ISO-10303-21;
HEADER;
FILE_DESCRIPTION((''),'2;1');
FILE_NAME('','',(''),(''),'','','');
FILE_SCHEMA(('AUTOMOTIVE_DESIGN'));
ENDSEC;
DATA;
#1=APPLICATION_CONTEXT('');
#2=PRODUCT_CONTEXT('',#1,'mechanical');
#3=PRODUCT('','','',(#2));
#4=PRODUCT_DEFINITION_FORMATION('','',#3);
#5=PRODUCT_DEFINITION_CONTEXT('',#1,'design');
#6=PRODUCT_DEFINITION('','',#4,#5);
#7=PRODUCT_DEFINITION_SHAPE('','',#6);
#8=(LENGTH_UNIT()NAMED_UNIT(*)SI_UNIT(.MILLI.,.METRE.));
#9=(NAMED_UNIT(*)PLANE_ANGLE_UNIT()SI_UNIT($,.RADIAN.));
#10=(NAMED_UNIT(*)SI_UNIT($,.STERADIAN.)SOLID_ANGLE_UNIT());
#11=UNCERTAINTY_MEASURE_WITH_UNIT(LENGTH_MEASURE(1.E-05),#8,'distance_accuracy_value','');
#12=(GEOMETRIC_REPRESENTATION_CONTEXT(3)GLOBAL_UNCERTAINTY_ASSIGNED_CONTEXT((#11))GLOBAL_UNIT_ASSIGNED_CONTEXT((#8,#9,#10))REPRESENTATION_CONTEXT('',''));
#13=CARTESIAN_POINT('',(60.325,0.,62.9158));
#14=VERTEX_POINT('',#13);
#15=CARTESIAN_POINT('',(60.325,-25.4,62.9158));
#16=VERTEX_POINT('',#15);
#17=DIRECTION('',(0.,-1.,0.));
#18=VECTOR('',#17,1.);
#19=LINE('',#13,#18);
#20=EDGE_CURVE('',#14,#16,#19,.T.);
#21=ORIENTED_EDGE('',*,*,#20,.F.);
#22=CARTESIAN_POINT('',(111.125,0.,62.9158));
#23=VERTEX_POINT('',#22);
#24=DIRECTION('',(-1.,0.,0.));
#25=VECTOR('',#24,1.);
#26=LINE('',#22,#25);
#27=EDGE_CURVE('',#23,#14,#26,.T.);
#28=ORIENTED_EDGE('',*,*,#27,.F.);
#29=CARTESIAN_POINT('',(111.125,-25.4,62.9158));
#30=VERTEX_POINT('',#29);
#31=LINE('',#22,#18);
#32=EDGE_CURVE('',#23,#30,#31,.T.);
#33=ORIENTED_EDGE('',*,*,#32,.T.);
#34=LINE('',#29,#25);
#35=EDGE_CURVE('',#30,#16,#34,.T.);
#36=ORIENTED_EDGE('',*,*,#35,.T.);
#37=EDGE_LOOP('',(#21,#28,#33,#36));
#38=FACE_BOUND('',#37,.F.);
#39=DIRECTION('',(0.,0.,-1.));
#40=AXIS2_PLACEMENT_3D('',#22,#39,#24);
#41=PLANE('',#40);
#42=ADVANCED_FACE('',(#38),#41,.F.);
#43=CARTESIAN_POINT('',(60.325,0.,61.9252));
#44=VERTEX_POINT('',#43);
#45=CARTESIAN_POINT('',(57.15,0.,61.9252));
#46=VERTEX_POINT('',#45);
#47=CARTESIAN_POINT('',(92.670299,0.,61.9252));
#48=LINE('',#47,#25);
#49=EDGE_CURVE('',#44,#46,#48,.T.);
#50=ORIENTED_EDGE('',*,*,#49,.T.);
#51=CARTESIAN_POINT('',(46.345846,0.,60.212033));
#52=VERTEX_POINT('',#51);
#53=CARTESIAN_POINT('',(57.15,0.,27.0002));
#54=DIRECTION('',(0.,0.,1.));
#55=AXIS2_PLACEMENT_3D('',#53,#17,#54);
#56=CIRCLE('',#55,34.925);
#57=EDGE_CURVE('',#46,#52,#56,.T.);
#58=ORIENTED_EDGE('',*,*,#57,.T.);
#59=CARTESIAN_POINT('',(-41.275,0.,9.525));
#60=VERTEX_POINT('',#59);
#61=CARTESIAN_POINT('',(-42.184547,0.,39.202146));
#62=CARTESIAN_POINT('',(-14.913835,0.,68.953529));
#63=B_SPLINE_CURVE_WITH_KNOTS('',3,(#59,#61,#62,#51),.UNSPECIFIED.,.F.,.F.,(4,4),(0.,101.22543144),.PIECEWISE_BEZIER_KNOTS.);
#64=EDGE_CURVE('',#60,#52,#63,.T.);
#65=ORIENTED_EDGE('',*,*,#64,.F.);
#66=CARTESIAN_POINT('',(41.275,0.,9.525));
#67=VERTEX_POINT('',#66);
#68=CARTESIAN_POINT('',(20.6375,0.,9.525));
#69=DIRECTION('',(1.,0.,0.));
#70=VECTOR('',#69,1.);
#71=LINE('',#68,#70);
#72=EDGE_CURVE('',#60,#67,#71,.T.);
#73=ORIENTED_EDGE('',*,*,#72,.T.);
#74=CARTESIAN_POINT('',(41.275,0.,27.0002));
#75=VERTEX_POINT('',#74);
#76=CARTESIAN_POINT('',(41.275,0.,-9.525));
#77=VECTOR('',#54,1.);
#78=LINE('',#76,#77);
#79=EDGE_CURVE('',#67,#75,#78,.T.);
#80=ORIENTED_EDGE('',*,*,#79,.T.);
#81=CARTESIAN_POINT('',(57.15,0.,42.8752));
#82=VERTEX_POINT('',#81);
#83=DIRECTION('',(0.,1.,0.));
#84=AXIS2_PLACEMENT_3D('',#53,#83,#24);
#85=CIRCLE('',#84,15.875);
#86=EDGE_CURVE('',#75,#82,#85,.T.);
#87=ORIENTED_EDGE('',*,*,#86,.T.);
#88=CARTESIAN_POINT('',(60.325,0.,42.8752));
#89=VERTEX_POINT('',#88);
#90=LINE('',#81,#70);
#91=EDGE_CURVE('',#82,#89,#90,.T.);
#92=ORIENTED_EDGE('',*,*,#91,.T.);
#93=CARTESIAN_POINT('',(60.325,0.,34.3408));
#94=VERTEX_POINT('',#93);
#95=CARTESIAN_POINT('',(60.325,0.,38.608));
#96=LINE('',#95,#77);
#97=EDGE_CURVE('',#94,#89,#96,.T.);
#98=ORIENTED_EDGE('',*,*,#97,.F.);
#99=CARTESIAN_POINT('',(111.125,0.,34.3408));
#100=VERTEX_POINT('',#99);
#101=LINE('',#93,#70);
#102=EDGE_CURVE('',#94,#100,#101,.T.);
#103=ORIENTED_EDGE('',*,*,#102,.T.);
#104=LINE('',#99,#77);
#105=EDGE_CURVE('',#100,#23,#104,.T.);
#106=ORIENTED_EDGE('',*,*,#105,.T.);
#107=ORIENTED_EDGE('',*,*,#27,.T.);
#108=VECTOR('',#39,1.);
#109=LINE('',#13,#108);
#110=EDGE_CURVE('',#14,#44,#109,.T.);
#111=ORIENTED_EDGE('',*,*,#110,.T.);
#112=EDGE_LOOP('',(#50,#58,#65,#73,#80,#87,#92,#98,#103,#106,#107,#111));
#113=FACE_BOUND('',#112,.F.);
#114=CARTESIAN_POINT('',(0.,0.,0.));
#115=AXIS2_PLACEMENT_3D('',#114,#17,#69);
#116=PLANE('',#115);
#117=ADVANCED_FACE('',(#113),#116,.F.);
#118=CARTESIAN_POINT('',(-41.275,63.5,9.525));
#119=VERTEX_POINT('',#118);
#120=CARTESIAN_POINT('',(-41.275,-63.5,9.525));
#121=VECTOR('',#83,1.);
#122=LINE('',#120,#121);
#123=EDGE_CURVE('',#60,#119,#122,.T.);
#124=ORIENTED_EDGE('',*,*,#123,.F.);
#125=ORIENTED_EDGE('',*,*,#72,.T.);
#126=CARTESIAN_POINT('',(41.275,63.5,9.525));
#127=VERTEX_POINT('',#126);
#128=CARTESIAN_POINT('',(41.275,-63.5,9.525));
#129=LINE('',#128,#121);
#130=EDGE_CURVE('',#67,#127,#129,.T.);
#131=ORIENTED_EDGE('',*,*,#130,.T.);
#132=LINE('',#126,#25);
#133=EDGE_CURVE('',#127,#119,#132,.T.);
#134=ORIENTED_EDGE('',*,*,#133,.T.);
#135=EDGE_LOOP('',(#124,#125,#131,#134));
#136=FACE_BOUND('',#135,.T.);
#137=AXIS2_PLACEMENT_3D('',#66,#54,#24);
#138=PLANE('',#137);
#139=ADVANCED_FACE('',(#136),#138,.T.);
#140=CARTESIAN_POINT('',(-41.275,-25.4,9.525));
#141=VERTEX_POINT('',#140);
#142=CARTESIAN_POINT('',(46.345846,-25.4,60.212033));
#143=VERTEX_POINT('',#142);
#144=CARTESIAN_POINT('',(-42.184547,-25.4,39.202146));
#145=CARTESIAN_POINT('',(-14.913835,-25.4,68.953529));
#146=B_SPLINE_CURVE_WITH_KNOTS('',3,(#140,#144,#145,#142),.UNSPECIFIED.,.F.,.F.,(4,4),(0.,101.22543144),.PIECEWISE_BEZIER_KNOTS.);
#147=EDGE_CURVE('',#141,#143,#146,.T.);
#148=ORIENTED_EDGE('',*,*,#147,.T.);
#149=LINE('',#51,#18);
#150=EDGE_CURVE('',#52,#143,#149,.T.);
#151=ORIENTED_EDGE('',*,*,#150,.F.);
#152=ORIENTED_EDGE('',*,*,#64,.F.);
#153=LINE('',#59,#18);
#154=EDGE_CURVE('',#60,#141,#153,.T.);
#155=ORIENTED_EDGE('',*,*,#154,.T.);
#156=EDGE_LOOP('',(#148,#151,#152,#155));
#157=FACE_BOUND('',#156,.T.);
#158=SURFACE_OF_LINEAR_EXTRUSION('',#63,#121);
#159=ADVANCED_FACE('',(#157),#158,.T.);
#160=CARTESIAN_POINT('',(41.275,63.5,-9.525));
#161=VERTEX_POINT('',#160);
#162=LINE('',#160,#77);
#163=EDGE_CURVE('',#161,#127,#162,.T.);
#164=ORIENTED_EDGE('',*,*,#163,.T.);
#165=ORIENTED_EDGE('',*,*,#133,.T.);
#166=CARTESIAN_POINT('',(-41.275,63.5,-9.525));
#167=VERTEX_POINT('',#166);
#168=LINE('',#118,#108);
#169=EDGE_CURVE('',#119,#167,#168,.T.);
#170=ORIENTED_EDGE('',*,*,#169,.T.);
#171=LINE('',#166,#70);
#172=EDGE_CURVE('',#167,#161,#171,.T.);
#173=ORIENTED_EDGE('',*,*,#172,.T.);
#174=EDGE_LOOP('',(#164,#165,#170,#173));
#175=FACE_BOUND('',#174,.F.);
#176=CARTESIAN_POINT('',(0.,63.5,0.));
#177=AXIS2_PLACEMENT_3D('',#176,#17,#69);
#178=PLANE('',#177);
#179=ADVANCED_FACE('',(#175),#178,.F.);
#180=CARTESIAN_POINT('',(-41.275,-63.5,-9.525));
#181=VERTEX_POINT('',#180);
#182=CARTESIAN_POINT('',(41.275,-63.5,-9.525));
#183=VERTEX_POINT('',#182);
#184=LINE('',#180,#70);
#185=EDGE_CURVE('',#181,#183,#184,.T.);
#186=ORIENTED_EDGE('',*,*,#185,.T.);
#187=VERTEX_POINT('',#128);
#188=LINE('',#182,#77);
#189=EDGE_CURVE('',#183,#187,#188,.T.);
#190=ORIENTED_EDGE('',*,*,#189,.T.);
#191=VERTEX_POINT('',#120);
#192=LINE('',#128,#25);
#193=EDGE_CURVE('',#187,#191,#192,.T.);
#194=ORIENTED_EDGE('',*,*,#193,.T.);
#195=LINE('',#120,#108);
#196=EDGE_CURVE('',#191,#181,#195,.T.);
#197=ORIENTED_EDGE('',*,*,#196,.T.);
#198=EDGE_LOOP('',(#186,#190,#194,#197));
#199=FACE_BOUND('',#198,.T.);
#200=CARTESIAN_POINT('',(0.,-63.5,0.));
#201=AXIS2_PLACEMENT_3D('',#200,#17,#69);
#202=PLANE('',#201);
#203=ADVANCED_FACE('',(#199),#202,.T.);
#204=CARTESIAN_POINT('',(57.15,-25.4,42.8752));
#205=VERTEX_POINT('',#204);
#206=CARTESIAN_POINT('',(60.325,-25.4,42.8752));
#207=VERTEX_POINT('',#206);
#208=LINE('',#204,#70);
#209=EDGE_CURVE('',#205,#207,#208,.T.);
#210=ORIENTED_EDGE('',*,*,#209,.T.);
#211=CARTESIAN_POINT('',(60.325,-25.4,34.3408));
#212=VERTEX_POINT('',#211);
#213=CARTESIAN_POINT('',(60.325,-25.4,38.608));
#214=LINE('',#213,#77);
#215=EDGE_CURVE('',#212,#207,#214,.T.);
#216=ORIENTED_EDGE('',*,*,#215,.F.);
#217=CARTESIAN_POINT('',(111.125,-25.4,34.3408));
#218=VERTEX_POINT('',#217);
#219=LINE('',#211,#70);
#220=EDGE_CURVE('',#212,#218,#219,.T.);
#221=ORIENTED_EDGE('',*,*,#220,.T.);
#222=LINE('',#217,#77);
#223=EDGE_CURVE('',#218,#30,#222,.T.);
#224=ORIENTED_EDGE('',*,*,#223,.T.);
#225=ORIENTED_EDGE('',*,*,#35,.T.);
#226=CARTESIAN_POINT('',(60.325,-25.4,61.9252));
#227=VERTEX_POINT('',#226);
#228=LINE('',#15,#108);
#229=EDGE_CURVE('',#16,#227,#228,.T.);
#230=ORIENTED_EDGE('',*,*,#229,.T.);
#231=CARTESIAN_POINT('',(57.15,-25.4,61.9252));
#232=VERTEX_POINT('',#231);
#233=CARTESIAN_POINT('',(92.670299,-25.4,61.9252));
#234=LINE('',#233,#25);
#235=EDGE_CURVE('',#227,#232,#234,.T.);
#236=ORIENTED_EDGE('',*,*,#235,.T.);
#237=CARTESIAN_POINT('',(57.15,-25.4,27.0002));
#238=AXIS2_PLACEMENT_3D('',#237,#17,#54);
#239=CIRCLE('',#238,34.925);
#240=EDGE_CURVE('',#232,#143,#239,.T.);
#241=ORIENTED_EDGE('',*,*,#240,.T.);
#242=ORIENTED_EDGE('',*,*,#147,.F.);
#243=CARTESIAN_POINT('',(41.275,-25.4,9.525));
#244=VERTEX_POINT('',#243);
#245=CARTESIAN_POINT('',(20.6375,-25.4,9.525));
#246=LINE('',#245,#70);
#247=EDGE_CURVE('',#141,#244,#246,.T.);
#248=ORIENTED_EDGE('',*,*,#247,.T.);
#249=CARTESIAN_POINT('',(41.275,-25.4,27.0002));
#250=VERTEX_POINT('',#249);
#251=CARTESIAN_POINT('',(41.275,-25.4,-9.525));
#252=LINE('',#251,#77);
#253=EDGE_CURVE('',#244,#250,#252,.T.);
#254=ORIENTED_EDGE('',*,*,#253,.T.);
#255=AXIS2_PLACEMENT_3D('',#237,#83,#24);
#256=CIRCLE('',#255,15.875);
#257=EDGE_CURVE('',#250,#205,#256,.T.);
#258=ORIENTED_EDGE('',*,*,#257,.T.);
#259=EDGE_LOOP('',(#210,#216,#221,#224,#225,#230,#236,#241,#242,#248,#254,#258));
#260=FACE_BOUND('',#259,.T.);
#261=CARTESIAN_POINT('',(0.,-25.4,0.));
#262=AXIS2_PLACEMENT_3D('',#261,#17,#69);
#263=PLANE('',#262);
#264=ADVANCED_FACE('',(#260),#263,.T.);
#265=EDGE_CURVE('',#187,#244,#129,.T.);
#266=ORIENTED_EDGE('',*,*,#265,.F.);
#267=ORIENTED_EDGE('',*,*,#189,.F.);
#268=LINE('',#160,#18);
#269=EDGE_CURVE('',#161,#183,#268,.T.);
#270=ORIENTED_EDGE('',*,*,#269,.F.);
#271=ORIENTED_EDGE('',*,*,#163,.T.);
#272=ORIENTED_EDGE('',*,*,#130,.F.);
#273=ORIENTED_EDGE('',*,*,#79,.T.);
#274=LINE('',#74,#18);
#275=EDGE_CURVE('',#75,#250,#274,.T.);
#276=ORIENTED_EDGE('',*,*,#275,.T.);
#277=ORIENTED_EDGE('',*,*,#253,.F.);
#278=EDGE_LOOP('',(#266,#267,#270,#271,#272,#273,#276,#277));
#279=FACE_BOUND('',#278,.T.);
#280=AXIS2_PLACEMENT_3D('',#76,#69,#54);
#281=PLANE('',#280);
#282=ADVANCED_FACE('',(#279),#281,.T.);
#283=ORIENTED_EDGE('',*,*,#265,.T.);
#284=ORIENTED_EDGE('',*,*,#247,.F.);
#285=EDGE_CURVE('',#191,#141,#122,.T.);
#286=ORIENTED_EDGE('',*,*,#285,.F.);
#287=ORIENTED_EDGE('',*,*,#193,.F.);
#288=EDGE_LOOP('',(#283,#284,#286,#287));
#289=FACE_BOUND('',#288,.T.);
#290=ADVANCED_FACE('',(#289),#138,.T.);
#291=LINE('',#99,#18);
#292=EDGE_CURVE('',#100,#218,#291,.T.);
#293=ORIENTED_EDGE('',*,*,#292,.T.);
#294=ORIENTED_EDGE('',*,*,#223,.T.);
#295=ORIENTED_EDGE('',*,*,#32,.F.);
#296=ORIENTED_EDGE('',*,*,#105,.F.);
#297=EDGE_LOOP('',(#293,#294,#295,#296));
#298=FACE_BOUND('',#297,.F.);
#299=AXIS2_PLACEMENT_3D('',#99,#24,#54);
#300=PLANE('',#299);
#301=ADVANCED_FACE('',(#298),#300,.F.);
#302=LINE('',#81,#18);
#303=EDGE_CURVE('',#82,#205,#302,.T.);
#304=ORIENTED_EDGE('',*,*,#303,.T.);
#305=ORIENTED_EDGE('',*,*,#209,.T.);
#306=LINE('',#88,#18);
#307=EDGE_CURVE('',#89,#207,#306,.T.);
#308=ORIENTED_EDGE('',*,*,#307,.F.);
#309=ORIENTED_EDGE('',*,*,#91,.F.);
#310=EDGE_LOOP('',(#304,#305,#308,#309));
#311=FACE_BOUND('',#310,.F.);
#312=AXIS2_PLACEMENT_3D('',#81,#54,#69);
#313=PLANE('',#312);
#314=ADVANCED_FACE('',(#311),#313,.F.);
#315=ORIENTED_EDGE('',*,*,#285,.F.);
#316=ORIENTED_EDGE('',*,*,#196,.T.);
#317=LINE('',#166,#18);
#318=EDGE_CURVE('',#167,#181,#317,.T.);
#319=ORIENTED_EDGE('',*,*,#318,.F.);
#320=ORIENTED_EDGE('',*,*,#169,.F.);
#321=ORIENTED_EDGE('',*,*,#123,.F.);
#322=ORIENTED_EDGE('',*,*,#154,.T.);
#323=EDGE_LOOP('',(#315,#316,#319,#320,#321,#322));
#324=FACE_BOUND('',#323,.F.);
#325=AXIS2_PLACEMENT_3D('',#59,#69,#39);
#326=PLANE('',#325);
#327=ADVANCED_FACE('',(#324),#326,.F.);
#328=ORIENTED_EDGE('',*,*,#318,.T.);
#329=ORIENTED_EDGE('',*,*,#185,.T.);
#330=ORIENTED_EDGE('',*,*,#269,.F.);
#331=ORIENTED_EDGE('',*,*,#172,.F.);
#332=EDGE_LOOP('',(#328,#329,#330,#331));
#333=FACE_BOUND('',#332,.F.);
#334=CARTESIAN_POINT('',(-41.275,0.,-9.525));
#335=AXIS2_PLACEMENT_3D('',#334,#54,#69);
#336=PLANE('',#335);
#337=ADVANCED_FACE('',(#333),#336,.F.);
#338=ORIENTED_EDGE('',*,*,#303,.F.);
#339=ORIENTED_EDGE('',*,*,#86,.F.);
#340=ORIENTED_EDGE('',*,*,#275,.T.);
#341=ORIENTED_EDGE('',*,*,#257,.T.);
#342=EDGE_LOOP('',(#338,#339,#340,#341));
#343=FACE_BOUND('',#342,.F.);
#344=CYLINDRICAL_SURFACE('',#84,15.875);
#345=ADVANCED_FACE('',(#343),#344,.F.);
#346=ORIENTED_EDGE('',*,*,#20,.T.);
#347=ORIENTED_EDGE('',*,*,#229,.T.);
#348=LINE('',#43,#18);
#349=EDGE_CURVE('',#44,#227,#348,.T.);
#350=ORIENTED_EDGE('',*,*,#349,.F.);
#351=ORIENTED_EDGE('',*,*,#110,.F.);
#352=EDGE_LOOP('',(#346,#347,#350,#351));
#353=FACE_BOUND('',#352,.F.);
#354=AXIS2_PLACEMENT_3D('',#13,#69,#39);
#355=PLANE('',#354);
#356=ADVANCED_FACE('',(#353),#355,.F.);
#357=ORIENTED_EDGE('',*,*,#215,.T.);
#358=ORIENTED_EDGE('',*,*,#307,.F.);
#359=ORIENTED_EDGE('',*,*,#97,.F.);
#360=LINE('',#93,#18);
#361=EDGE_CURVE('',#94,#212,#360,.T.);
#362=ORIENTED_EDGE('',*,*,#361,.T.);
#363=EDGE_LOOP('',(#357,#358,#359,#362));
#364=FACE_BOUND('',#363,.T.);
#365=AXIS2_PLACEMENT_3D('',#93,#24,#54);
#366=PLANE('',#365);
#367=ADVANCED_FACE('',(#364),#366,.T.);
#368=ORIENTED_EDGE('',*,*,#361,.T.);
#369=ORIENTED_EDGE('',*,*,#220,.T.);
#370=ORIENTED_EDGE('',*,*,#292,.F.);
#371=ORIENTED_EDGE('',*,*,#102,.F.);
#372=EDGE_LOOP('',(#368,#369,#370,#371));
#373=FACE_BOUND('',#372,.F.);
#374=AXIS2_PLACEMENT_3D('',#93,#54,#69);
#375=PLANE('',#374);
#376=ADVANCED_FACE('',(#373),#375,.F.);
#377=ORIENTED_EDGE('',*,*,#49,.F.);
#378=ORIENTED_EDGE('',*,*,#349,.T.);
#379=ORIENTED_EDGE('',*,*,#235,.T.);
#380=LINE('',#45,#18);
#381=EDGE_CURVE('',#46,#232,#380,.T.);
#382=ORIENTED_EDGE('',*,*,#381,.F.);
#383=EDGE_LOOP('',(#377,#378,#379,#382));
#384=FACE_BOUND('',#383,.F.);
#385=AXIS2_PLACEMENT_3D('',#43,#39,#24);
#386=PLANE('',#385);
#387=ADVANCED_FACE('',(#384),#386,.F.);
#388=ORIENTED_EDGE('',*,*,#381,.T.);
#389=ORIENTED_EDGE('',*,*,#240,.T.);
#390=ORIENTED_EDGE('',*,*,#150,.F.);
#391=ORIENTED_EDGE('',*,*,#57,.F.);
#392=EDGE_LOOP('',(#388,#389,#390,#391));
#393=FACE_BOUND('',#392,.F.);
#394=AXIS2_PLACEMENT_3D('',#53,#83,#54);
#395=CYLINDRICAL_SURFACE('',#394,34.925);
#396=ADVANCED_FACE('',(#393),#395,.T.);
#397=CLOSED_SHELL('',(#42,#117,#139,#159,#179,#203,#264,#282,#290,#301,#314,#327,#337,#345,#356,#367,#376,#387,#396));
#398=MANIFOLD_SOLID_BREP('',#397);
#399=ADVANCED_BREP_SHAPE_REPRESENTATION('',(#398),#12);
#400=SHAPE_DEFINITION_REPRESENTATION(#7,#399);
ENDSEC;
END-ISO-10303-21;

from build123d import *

# Parameters (mm, degrees)
F1_DEPTH = 63.5
F0_W     = 32.3452991128
F0_H     = 19.05
F0_H_2   = 8.5344
F2_DEPTH = 25.4


with BuildPart() as f1:
    # F0 (on Front) → F1 (new body, symmetric)
    with BuildSketch(Plane.XZ):
        Polygon((-41.275, 9.525), (-41.275, -9.525), (41.275, -9.525), (41.275, 9.525), (22.225, 9.525), align=None)
    extrude(amount=F1_DEPTH, both=True)

    # F0 (on Front) → F2 (join)
    with BuildSketch(Plane.XZ):
        Polygon((-41.275, 9.525), (-41.275, -9.525), (41.275, -9.525), (41.275, 9.525), (22.225, 9.525), align=None)
        with BuildLine():
            add(Edge.make_bspline(
                [(-41.275, 9.525), (-42.1845465899, 39.2021462321), (-14.9138346314, 68.9535290003), (46.3458457894, 60.212033385)],
                knots=[0, 0, 0, 0, 101.22543144, 101.22543144, 101.22543144, 101.22543144], degree=3))
            Line((-41.275, 9.525), (22.225, 9.525))
            Line((22.225, 9.525), (22.225, 27.0002))
            ThreePointArc((22.225, 27.0002), (28.891455179, 47.5236078456), (46.3458457894, 60.212033385))
        make_face()
        with BuildLine():
            Line((22.225, 9.525), (41.275, 9.525))
            Line((41.275, 9.525), (41.275, 27.0002))
            ThreePointArc((41.275, 27.0002), (45.9246798487, 38.2255201513), (57.15, 42.8752))
            Line((57.15, 42.8752), (60.325, 42.8752))
            Line((60.325, 42.8752), (60.325, 61.9252))
            Line((60.325, 61.9252), (57.15, 61.9252))
            ThreePointArc((57.15, 61.9252), (51.6804321913, 61.4942495301), (46.3458457894, 60.212033385))
            ThreePointArc((46.3458457894, 60.212033385), (28.891455179, 47.5236078456), (22.225, 27.0002))
            Line((22.225, 27.0002), (22.225, 9.525))
        make_face()
        with Locations((76.4976495564, 52.4002)):
            Rectangle(F0_W, F0_H)
        Polygon((60.325, 62.9158), (60.325, 61.9252), (92.6702991128, 61.9252), (92.6702991128, 42.8752), (92.6702991128, 34.3408), (111.125, 34.3408), (111.125, 62.9158), align=None)
        with Locations((76.4976495564, 38.608)):
            Rectangle(F0_W, F0_H_2)
    extrude(amount=F2_DEPTH)


solid = f1.part
